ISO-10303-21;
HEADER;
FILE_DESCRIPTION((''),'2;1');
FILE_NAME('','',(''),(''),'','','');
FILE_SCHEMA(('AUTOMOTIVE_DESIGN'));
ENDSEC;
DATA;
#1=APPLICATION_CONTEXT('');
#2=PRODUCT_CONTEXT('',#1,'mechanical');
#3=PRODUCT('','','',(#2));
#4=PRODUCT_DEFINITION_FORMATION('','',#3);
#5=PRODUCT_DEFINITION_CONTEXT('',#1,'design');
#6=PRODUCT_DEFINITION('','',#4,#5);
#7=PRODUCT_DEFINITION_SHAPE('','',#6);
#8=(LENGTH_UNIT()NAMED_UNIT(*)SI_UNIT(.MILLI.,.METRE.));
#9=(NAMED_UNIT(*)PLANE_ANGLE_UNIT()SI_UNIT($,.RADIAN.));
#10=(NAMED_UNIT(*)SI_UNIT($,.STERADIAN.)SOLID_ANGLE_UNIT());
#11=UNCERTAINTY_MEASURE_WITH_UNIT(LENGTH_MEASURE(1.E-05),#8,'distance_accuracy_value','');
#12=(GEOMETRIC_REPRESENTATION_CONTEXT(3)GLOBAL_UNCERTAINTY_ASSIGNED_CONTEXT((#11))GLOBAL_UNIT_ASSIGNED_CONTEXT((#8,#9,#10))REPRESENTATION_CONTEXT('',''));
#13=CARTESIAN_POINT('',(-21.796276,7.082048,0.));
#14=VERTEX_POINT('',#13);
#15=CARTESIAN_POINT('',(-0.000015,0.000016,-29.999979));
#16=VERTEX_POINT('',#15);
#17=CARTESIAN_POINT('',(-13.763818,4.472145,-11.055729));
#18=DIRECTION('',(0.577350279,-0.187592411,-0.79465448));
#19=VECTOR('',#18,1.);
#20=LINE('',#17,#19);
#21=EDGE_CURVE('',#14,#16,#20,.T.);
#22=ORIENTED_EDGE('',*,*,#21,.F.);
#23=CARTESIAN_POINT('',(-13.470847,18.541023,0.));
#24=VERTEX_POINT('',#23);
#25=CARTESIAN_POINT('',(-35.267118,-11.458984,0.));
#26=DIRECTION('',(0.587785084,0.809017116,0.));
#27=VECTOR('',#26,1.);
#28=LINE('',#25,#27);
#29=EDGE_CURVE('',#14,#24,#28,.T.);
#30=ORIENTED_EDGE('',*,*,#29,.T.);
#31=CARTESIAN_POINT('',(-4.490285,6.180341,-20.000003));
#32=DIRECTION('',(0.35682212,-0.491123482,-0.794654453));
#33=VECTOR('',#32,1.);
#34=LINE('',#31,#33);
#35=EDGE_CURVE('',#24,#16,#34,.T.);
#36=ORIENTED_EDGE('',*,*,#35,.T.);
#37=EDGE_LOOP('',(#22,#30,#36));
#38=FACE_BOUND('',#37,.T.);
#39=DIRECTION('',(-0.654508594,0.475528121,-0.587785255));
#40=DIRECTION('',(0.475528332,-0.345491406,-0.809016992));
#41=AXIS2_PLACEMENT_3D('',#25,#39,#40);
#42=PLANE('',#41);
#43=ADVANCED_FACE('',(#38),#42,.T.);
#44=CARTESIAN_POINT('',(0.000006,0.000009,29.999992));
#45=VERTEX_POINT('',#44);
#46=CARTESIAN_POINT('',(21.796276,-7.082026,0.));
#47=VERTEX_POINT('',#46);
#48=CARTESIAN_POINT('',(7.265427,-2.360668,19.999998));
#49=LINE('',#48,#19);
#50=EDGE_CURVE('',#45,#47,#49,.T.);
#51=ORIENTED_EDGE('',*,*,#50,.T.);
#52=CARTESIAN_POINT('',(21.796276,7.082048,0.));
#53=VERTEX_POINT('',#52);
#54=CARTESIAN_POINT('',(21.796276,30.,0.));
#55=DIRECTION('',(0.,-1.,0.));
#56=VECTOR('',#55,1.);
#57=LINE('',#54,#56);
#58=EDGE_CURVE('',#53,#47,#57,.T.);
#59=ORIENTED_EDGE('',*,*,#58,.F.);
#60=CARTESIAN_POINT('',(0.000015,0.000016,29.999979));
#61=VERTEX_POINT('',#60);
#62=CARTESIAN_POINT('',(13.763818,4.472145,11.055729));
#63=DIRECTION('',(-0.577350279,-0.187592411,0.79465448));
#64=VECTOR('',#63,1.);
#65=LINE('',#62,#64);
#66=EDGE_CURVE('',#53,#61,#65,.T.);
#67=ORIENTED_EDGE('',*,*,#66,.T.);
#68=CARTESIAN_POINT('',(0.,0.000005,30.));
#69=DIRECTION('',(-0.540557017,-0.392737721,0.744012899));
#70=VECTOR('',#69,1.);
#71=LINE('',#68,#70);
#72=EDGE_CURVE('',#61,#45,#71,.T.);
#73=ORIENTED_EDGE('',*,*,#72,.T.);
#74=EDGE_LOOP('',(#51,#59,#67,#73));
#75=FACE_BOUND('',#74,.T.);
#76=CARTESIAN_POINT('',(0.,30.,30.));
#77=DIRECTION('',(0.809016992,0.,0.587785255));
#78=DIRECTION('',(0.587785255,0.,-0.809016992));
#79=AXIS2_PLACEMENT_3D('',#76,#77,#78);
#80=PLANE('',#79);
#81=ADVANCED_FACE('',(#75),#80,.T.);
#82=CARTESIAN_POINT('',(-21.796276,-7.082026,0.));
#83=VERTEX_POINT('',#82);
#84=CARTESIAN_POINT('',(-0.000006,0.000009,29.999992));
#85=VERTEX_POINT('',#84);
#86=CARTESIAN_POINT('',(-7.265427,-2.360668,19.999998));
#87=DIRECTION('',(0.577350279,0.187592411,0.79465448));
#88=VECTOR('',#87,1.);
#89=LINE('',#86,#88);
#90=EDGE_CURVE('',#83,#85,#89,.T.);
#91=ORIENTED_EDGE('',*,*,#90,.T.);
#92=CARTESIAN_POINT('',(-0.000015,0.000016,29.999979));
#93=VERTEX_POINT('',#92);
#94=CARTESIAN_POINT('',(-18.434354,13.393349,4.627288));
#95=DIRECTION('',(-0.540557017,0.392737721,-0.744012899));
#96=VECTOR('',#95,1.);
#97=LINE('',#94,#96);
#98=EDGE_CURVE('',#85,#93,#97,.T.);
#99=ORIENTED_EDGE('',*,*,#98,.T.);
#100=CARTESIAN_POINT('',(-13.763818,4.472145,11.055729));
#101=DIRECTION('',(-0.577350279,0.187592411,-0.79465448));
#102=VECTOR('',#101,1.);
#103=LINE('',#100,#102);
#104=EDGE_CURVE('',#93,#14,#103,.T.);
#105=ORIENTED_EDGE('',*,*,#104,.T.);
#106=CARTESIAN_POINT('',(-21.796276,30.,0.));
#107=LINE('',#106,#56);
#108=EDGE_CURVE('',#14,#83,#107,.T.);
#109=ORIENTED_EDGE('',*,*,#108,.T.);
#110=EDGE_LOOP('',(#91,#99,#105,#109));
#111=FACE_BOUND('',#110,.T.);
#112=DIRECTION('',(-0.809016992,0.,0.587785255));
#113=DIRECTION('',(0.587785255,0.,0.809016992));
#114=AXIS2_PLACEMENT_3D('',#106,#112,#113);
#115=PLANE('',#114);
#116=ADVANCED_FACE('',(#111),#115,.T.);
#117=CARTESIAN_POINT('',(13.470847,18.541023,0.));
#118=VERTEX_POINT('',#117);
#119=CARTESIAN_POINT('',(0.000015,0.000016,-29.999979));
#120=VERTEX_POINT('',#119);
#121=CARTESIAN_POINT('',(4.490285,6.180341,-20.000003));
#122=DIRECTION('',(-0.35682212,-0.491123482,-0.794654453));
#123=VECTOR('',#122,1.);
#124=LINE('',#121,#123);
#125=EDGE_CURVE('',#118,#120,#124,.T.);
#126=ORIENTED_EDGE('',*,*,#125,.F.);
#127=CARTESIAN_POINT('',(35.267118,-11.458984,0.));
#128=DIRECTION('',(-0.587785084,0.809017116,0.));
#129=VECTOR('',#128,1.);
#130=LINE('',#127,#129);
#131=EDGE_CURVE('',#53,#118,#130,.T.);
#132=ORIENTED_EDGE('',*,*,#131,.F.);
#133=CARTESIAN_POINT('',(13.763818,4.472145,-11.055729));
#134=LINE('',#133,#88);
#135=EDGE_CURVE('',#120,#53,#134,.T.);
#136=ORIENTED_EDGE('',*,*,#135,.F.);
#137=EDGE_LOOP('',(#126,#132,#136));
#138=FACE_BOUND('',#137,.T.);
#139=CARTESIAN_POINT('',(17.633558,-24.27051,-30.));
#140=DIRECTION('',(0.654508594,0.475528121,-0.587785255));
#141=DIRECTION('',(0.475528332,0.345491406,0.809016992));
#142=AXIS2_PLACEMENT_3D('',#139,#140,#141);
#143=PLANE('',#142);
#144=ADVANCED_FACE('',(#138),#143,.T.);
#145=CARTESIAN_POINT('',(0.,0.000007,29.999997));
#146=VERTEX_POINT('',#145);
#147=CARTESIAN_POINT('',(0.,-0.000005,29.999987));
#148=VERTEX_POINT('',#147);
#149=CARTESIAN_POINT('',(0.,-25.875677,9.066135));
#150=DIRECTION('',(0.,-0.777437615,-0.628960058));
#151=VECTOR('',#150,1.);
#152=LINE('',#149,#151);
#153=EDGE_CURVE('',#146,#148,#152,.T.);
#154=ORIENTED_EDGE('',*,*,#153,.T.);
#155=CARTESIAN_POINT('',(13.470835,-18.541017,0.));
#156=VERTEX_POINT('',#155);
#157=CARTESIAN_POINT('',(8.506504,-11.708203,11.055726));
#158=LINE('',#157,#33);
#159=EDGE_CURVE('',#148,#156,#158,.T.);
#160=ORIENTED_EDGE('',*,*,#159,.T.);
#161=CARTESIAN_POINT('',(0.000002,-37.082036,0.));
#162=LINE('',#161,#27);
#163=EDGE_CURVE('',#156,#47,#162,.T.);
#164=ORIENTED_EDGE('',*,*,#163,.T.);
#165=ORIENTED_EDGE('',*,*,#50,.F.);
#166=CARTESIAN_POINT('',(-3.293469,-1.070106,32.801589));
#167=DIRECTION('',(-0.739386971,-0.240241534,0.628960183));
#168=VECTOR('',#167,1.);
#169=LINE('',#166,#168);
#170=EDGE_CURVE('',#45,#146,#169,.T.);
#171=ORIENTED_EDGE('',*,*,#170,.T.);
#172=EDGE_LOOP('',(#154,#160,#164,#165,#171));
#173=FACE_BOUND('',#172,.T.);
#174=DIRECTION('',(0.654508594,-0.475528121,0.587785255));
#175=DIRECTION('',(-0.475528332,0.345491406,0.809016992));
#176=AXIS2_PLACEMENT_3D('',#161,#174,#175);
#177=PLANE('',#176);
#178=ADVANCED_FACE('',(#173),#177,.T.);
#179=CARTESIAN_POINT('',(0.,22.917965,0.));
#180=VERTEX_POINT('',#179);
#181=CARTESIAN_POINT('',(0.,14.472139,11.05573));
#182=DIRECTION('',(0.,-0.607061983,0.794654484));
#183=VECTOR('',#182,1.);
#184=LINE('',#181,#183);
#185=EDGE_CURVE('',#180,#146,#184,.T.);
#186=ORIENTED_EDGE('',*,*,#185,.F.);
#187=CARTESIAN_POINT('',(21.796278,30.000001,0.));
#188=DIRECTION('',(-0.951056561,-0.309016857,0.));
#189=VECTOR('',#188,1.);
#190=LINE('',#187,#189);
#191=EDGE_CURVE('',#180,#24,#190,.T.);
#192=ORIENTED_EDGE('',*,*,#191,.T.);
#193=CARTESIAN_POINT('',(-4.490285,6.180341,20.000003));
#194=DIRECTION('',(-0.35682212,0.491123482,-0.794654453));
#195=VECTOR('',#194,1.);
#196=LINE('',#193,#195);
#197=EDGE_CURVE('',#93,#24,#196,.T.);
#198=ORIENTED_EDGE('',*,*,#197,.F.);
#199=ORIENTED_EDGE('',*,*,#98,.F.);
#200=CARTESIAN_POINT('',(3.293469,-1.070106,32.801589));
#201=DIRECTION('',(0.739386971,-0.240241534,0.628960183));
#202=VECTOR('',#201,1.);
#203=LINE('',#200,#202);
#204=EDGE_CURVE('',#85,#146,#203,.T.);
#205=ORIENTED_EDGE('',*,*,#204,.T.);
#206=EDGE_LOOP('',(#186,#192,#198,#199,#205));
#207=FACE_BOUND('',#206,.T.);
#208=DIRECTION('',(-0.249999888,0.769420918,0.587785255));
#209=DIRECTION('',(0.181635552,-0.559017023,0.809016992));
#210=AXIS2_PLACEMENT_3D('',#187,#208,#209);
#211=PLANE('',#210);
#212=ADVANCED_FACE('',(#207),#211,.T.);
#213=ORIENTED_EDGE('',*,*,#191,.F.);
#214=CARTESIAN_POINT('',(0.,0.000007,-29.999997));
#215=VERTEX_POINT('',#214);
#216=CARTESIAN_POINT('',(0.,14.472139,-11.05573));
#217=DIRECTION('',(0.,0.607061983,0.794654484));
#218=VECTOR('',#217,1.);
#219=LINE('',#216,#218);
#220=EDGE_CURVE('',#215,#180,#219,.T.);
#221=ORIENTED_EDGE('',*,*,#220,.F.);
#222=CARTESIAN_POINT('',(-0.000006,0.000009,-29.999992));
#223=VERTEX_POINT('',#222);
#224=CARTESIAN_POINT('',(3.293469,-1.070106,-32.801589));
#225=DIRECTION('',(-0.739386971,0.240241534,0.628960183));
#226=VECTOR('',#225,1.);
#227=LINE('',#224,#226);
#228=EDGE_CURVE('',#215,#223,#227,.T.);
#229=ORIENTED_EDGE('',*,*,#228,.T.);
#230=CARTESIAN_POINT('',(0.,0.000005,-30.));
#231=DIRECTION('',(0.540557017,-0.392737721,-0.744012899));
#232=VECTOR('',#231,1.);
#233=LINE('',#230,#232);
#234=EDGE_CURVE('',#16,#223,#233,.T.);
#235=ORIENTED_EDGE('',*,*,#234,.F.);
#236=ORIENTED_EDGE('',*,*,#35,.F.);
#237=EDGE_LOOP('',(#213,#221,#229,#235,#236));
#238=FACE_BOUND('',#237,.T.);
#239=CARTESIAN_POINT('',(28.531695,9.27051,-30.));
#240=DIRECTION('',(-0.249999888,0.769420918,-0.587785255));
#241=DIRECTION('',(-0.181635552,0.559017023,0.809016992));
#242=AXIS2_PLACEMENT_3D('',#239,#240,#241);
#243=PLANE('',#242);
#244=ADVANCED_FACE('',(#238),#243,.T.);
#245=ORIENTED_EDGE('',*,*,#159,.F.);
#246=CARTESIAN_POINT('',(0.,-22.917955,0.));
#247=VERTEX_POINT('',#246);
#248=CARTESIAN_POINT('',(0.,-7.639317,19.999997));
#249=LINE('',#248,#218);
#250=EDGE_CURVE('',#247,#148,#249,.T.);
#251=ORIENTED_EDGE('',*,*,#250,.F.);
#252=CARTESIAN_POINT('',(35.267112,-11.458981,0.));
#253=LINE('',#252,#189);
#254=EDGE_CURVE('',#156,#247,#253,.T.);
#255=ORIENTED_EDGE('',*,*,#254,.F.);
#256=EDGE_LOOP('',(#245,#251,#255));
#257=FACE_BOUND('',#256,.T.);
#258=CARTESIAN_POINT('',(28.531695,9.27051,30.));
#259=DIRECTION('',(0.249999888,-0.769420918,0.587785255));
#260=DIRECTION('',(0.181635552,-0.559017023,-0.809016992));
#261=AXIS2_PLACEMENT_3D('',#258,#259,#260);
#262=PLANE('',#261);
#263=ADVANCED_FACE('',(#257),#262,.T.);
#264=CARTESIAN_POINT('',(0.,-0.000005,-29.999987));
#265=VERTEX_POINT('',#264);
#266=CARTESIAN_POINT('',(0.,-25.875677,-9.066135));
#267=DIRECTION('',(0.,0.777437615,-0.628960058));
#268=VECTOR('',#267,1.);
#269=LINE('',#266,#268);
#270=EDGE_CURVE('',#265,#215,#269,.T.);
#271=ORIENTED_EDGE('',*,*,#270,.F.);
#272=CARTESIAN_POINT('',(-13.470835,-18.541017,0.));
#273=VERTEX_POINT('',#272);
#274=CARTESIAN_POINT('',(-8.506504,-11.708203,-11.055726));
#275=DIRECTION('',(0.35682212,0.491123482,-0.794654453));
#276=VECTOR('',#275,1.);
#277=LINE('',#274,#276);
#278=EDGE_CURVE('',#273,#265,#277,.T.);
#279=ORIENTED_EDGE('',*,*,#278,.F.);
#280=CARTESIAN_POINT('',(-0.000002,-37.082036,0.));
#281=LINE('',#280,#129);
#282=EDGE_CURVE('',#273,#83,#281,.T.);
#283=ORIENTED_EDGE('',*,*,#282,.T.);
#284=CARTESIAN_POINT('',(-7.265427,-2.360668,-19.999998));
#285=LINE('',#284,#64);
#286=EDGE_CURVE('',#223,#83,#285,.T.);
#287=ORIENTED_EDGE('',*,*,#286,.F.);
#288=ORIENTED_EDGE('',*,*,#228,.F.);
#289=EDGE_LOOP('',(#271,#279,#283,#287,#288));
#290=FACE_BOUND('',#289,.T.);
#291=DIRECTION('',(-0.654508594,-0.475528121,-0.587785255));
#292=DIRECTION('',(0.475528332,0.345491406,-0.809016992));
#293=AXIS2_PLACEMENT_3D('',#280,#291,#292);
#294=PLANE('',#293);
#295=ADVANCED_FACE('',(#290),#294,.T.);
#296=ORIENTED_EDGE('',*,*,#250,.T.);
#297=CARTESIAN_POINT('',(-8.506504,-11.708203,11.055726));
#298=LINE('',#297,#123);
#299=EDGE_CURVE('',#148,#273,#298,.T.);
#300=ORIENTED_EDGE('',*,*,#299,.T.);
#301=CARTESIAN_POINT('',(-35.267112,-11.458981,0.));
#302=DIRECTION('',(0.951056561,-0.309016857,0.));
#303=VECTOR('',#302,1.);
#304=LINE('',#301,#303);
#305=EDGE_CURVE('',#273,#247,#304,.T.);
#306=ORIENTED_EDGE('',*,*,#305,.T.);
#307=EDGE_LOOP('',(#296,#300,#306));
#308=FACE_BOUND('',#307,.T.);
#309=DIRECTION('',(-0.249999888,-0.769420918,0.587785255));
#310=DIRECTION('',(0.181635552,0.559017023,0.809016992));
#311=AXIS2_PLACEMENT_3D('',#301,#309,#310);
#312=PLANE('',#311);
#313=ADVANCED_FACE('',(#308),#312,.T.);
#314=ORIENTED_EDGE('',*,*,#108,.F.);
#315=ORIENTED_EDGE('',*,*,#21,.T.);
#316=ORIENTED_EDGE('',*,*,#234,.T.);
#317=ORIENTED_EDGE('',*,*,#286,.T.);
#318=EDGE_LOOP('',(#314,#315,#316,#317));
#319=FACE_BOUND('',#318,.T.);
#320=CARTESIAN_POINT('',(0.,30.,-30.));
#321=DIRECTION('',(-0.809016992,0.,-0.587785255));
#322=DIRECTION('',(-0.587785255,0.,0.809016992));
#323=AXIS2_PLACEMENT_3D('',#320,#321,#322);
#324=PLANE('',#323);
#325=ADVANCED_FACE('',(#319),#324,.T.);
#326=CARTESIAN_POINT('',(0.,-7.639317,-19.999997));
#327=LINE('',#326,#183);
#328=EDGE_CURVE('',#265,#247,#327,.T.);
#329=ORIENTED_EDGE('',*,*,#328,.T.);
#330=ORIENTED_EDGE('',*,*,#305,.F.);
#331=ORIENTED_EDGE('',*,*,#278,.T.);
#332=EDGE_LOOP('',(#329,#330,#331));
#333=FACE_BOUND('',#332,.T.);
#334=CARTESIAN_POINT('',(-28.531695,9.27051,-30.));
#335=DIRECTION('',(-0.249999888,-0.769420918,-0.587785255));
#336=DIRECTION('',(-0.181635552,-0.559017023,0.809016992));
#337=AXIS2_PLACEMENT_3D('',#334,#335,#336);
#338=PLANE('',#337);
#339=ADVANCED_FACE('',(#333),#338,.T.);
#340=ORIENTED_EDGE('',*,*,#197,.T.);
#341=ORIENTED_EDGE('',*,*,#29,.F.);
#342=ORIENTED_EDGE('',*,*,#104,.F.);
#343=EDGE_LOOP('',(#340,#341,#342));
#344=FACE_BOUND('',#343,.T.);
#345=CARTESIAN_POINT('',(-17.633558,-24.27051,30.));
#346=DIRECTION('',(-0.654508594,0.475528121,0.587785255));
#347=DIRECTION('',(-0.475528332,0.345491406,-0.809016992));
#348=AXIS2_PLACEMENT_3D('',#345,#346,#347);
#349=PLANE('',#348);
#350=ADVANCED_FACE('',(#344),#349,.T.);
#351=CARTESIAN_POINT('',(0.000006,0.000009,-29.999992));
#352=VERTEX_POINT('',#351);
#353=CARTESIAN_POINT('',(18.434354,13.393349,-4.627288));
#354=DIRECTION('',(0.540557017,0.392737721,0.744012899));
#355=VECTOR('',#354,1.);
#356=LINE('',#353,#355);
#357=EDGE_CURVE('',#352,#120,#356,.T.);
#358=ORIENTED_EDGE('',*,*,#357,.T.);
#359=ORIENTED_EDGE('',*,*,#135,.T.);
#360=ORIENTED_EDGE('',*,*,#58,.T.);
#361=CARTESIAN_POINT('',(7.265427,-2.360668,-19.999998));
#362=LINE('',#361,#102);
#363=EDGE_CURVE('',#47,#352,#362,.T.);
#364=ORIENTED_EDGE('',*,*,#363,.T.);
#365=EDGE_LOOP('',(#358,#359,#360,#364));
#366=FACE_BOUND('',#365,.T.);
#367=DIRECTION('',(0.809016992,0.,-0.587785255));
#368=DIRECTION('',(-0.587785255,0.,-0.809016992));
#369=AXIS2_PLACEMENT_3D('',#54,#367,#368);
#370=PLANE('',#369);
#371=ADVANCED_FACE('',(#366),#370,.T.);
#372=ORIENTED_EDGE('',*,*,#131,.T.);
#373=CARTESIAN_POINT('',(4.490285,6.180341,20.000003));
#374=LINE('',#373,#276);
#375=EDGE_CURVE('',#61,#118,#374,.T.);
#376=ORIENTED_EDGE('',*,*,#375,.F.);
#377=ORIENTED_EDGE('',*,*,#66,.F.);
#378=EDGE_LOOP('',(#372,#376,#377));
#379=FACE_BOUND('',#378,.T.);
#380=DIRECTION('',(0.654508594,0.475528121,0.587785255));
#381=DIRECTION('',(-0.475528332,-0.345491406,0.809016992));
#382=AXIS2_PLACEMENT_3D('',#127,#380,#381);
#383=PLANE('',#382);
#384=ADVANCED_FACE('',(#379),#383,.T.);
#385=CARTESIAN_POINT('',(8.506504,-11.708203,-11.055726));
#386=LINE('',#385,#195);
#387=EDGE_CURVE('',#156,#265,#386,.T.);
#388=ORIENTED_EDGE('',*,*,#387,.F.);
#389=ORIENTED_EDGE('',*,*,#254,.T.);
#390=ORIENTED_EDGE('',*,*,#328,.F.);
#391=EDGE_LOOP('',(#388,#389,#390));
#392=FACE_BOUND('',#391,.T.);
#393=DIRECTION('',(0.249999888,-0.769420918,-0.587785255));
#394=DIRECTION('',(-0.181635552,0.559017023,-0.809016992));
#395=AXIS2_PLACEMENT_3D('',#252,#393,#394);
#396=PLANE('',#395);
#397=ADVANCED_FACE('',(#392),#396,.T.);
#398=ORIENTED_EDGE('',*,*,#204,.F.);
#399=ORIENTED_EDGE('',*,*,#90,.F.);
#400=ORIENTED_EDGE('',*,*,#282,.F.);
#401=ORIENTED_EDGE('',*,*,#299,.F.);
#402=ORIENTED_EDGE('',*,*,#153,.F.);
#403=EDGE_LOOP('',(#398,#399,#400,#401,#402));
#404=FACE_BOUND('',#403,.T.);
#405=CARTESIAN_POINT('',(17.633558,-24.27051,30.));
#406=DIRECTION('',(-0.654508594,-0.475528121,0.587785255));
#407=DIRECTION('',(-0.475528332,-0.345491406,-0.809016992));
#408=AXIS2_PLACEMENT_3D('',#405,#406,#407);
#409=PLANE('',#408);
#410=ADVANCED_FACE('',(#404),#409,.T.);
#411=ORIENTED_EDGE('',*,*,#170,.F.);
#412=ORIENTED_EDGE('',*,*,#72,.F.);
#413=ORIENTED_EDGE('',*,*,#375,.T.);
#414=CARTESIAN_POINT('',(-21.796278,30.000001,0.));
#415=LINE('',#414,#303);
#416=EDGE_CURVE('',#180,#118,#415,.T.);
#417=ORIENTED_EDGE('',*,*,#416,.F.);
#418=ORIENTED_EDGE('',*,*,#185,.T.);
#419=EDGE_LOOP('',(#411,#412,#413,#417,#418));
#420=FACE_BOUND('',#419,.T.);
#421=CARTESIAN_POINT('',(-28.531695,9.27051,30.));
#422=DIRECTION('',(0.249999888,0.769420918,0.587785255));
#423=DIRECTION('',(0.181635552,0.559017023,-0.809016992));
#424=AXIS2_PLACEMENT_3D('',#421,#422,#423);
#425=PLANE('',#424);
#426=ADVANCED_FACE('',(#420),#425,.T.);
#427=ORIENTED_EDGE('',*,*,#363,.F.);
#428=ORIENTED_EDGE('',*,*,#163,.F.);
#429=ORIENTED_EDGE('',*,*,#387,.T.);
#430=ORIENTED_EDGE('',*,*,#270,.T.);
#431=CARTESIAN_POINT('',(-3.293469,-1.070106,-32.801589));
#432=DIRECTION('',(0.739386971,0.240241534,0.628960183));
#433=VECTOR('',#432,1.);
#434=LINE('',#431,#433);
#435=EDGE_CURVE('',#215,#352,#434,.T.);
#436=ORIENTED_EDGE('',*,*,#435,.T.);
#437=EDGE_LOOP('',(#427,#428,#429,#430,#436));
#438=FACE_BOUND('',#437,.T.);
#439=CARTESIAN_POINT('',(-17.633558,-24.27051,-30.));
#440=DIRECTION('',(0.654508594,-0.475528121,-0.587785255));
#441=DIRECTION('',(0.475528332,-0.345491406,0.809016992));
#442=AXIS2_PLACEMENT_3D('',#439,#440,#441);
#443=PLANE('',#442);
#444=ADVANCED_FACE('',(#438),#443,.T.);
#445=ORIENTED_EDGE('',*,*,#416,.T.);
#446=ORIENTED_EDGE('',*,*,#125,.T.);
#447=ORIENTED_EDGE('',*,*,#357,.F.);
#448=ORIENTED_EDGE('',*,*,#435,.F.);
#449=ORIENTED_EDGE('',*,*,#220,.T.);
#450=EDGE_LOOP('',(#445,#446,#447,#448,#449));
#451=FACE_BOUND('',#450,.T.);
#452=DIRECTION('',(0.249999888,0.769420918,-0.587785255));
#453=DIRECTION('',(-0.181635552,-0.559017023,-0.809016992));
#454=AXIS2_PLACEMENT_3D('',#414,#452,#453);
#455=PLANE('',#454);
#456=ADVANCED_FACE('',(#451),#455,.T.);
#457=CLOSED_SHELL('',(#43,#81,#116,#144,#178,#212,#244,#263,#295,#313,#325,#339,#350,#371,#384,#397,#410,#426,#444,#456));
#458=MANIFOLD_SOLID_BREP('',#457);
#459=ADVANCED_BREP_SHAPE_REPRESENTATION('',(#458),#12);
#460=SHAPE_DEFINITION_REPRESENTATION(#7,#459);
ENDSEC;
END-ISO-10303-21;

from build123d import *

# Parameters (mm, degrees)
F1_DEPTH  = 30
F7_DEPTH  = 67.083039
F8_DEPTH  = 67.083039
F9_DEPTH  = 62.189471
F10_DEPTH = 58.648451
F11_DEPTH = 61.353549


with BuildPart() as f1:
    # F0 (on Top) → F1 (new body, symmetric)
    with BuildSketch(Plane.XY):
        Polygon((21.796276, 30), (-21.796276, 30), (-35.267115, -11.45898), (0, -37.082039), (35.267115, -11.45898), align=None)
    extrude(amount=F1_DEPTH, both=True)

    # F2 (on face) → F7 (intersect, through all)
    with BuildSketch(Plane(origin=(0, 30, 0), x_dir=(-1, 0, 0), z_dir=(0, 1, 0))):
        Polygon((21.796276, 0), (0, 30), (-21.796276, 0), (0, -30), align=None)
    extrude(amount=-F7_DEPTH, mode=Mode.INTERSECT)

    # F3 (on face) → F8 (intersect, through all)
    with BuildSketch(Plane(origin=(-17.633558, -24.27051, 0), x_dir=(0.809017, -0.587785, 0), z_dir=(-0.587785, -0.809017, 0))):
        Polygon((0, 30), (-21.796276, 0), (0, -30), (21.796276, 0), align=None)
    extrude(amount=-F8_DEPTH, mode=Mode.INTERSECT)

    # F4 (on face) → F9 (intersect, through all)
    with BuildSketch(Plane(origin=(-28.531695, 9.27051, 0), x_dir=(-0.309017, -0.951057, 0), z_dir=(-0.951057, 0.309017, 0))):
        Polygon((0, -30), (21.796276, 0), (0, 30), (-21.796276, 0), align=None)
    extrude(amount=-F9_DEPTH, mode=Mode.INTERSECT)

    # F5 (on face) → F10 (intersect, through all)
    with BuildSketch(Plane(origin=(28.531695, 9.27051, 0), x_dir=(-0.309017, 0.951057, 0), z_dir=(0.951057, 0.309017, 0))):
        Polygon((0, -30), (21.796276, 0), (0, 30), (-21.796276, 0), align=None)
    extrude(amount=-F10_DEPTH, mode=Mode.INTERSECT)

    # F6 (on face) → F11 (intersect, through all)
    with BuildSketch(Plane(origin=(17.633558, -24.27051, 0), x_dir=(0.809017, 0.587785, 0), z_dir=(0.587785, -0.809017, 0))):
        Polygon((0, -30), (21.796276, 0), (0, 30), (-21.796276, 0), align=None)
    extrude(amount=-F11_DEPTH, mode=Mode.INTERSECT)


solid = f1.part
